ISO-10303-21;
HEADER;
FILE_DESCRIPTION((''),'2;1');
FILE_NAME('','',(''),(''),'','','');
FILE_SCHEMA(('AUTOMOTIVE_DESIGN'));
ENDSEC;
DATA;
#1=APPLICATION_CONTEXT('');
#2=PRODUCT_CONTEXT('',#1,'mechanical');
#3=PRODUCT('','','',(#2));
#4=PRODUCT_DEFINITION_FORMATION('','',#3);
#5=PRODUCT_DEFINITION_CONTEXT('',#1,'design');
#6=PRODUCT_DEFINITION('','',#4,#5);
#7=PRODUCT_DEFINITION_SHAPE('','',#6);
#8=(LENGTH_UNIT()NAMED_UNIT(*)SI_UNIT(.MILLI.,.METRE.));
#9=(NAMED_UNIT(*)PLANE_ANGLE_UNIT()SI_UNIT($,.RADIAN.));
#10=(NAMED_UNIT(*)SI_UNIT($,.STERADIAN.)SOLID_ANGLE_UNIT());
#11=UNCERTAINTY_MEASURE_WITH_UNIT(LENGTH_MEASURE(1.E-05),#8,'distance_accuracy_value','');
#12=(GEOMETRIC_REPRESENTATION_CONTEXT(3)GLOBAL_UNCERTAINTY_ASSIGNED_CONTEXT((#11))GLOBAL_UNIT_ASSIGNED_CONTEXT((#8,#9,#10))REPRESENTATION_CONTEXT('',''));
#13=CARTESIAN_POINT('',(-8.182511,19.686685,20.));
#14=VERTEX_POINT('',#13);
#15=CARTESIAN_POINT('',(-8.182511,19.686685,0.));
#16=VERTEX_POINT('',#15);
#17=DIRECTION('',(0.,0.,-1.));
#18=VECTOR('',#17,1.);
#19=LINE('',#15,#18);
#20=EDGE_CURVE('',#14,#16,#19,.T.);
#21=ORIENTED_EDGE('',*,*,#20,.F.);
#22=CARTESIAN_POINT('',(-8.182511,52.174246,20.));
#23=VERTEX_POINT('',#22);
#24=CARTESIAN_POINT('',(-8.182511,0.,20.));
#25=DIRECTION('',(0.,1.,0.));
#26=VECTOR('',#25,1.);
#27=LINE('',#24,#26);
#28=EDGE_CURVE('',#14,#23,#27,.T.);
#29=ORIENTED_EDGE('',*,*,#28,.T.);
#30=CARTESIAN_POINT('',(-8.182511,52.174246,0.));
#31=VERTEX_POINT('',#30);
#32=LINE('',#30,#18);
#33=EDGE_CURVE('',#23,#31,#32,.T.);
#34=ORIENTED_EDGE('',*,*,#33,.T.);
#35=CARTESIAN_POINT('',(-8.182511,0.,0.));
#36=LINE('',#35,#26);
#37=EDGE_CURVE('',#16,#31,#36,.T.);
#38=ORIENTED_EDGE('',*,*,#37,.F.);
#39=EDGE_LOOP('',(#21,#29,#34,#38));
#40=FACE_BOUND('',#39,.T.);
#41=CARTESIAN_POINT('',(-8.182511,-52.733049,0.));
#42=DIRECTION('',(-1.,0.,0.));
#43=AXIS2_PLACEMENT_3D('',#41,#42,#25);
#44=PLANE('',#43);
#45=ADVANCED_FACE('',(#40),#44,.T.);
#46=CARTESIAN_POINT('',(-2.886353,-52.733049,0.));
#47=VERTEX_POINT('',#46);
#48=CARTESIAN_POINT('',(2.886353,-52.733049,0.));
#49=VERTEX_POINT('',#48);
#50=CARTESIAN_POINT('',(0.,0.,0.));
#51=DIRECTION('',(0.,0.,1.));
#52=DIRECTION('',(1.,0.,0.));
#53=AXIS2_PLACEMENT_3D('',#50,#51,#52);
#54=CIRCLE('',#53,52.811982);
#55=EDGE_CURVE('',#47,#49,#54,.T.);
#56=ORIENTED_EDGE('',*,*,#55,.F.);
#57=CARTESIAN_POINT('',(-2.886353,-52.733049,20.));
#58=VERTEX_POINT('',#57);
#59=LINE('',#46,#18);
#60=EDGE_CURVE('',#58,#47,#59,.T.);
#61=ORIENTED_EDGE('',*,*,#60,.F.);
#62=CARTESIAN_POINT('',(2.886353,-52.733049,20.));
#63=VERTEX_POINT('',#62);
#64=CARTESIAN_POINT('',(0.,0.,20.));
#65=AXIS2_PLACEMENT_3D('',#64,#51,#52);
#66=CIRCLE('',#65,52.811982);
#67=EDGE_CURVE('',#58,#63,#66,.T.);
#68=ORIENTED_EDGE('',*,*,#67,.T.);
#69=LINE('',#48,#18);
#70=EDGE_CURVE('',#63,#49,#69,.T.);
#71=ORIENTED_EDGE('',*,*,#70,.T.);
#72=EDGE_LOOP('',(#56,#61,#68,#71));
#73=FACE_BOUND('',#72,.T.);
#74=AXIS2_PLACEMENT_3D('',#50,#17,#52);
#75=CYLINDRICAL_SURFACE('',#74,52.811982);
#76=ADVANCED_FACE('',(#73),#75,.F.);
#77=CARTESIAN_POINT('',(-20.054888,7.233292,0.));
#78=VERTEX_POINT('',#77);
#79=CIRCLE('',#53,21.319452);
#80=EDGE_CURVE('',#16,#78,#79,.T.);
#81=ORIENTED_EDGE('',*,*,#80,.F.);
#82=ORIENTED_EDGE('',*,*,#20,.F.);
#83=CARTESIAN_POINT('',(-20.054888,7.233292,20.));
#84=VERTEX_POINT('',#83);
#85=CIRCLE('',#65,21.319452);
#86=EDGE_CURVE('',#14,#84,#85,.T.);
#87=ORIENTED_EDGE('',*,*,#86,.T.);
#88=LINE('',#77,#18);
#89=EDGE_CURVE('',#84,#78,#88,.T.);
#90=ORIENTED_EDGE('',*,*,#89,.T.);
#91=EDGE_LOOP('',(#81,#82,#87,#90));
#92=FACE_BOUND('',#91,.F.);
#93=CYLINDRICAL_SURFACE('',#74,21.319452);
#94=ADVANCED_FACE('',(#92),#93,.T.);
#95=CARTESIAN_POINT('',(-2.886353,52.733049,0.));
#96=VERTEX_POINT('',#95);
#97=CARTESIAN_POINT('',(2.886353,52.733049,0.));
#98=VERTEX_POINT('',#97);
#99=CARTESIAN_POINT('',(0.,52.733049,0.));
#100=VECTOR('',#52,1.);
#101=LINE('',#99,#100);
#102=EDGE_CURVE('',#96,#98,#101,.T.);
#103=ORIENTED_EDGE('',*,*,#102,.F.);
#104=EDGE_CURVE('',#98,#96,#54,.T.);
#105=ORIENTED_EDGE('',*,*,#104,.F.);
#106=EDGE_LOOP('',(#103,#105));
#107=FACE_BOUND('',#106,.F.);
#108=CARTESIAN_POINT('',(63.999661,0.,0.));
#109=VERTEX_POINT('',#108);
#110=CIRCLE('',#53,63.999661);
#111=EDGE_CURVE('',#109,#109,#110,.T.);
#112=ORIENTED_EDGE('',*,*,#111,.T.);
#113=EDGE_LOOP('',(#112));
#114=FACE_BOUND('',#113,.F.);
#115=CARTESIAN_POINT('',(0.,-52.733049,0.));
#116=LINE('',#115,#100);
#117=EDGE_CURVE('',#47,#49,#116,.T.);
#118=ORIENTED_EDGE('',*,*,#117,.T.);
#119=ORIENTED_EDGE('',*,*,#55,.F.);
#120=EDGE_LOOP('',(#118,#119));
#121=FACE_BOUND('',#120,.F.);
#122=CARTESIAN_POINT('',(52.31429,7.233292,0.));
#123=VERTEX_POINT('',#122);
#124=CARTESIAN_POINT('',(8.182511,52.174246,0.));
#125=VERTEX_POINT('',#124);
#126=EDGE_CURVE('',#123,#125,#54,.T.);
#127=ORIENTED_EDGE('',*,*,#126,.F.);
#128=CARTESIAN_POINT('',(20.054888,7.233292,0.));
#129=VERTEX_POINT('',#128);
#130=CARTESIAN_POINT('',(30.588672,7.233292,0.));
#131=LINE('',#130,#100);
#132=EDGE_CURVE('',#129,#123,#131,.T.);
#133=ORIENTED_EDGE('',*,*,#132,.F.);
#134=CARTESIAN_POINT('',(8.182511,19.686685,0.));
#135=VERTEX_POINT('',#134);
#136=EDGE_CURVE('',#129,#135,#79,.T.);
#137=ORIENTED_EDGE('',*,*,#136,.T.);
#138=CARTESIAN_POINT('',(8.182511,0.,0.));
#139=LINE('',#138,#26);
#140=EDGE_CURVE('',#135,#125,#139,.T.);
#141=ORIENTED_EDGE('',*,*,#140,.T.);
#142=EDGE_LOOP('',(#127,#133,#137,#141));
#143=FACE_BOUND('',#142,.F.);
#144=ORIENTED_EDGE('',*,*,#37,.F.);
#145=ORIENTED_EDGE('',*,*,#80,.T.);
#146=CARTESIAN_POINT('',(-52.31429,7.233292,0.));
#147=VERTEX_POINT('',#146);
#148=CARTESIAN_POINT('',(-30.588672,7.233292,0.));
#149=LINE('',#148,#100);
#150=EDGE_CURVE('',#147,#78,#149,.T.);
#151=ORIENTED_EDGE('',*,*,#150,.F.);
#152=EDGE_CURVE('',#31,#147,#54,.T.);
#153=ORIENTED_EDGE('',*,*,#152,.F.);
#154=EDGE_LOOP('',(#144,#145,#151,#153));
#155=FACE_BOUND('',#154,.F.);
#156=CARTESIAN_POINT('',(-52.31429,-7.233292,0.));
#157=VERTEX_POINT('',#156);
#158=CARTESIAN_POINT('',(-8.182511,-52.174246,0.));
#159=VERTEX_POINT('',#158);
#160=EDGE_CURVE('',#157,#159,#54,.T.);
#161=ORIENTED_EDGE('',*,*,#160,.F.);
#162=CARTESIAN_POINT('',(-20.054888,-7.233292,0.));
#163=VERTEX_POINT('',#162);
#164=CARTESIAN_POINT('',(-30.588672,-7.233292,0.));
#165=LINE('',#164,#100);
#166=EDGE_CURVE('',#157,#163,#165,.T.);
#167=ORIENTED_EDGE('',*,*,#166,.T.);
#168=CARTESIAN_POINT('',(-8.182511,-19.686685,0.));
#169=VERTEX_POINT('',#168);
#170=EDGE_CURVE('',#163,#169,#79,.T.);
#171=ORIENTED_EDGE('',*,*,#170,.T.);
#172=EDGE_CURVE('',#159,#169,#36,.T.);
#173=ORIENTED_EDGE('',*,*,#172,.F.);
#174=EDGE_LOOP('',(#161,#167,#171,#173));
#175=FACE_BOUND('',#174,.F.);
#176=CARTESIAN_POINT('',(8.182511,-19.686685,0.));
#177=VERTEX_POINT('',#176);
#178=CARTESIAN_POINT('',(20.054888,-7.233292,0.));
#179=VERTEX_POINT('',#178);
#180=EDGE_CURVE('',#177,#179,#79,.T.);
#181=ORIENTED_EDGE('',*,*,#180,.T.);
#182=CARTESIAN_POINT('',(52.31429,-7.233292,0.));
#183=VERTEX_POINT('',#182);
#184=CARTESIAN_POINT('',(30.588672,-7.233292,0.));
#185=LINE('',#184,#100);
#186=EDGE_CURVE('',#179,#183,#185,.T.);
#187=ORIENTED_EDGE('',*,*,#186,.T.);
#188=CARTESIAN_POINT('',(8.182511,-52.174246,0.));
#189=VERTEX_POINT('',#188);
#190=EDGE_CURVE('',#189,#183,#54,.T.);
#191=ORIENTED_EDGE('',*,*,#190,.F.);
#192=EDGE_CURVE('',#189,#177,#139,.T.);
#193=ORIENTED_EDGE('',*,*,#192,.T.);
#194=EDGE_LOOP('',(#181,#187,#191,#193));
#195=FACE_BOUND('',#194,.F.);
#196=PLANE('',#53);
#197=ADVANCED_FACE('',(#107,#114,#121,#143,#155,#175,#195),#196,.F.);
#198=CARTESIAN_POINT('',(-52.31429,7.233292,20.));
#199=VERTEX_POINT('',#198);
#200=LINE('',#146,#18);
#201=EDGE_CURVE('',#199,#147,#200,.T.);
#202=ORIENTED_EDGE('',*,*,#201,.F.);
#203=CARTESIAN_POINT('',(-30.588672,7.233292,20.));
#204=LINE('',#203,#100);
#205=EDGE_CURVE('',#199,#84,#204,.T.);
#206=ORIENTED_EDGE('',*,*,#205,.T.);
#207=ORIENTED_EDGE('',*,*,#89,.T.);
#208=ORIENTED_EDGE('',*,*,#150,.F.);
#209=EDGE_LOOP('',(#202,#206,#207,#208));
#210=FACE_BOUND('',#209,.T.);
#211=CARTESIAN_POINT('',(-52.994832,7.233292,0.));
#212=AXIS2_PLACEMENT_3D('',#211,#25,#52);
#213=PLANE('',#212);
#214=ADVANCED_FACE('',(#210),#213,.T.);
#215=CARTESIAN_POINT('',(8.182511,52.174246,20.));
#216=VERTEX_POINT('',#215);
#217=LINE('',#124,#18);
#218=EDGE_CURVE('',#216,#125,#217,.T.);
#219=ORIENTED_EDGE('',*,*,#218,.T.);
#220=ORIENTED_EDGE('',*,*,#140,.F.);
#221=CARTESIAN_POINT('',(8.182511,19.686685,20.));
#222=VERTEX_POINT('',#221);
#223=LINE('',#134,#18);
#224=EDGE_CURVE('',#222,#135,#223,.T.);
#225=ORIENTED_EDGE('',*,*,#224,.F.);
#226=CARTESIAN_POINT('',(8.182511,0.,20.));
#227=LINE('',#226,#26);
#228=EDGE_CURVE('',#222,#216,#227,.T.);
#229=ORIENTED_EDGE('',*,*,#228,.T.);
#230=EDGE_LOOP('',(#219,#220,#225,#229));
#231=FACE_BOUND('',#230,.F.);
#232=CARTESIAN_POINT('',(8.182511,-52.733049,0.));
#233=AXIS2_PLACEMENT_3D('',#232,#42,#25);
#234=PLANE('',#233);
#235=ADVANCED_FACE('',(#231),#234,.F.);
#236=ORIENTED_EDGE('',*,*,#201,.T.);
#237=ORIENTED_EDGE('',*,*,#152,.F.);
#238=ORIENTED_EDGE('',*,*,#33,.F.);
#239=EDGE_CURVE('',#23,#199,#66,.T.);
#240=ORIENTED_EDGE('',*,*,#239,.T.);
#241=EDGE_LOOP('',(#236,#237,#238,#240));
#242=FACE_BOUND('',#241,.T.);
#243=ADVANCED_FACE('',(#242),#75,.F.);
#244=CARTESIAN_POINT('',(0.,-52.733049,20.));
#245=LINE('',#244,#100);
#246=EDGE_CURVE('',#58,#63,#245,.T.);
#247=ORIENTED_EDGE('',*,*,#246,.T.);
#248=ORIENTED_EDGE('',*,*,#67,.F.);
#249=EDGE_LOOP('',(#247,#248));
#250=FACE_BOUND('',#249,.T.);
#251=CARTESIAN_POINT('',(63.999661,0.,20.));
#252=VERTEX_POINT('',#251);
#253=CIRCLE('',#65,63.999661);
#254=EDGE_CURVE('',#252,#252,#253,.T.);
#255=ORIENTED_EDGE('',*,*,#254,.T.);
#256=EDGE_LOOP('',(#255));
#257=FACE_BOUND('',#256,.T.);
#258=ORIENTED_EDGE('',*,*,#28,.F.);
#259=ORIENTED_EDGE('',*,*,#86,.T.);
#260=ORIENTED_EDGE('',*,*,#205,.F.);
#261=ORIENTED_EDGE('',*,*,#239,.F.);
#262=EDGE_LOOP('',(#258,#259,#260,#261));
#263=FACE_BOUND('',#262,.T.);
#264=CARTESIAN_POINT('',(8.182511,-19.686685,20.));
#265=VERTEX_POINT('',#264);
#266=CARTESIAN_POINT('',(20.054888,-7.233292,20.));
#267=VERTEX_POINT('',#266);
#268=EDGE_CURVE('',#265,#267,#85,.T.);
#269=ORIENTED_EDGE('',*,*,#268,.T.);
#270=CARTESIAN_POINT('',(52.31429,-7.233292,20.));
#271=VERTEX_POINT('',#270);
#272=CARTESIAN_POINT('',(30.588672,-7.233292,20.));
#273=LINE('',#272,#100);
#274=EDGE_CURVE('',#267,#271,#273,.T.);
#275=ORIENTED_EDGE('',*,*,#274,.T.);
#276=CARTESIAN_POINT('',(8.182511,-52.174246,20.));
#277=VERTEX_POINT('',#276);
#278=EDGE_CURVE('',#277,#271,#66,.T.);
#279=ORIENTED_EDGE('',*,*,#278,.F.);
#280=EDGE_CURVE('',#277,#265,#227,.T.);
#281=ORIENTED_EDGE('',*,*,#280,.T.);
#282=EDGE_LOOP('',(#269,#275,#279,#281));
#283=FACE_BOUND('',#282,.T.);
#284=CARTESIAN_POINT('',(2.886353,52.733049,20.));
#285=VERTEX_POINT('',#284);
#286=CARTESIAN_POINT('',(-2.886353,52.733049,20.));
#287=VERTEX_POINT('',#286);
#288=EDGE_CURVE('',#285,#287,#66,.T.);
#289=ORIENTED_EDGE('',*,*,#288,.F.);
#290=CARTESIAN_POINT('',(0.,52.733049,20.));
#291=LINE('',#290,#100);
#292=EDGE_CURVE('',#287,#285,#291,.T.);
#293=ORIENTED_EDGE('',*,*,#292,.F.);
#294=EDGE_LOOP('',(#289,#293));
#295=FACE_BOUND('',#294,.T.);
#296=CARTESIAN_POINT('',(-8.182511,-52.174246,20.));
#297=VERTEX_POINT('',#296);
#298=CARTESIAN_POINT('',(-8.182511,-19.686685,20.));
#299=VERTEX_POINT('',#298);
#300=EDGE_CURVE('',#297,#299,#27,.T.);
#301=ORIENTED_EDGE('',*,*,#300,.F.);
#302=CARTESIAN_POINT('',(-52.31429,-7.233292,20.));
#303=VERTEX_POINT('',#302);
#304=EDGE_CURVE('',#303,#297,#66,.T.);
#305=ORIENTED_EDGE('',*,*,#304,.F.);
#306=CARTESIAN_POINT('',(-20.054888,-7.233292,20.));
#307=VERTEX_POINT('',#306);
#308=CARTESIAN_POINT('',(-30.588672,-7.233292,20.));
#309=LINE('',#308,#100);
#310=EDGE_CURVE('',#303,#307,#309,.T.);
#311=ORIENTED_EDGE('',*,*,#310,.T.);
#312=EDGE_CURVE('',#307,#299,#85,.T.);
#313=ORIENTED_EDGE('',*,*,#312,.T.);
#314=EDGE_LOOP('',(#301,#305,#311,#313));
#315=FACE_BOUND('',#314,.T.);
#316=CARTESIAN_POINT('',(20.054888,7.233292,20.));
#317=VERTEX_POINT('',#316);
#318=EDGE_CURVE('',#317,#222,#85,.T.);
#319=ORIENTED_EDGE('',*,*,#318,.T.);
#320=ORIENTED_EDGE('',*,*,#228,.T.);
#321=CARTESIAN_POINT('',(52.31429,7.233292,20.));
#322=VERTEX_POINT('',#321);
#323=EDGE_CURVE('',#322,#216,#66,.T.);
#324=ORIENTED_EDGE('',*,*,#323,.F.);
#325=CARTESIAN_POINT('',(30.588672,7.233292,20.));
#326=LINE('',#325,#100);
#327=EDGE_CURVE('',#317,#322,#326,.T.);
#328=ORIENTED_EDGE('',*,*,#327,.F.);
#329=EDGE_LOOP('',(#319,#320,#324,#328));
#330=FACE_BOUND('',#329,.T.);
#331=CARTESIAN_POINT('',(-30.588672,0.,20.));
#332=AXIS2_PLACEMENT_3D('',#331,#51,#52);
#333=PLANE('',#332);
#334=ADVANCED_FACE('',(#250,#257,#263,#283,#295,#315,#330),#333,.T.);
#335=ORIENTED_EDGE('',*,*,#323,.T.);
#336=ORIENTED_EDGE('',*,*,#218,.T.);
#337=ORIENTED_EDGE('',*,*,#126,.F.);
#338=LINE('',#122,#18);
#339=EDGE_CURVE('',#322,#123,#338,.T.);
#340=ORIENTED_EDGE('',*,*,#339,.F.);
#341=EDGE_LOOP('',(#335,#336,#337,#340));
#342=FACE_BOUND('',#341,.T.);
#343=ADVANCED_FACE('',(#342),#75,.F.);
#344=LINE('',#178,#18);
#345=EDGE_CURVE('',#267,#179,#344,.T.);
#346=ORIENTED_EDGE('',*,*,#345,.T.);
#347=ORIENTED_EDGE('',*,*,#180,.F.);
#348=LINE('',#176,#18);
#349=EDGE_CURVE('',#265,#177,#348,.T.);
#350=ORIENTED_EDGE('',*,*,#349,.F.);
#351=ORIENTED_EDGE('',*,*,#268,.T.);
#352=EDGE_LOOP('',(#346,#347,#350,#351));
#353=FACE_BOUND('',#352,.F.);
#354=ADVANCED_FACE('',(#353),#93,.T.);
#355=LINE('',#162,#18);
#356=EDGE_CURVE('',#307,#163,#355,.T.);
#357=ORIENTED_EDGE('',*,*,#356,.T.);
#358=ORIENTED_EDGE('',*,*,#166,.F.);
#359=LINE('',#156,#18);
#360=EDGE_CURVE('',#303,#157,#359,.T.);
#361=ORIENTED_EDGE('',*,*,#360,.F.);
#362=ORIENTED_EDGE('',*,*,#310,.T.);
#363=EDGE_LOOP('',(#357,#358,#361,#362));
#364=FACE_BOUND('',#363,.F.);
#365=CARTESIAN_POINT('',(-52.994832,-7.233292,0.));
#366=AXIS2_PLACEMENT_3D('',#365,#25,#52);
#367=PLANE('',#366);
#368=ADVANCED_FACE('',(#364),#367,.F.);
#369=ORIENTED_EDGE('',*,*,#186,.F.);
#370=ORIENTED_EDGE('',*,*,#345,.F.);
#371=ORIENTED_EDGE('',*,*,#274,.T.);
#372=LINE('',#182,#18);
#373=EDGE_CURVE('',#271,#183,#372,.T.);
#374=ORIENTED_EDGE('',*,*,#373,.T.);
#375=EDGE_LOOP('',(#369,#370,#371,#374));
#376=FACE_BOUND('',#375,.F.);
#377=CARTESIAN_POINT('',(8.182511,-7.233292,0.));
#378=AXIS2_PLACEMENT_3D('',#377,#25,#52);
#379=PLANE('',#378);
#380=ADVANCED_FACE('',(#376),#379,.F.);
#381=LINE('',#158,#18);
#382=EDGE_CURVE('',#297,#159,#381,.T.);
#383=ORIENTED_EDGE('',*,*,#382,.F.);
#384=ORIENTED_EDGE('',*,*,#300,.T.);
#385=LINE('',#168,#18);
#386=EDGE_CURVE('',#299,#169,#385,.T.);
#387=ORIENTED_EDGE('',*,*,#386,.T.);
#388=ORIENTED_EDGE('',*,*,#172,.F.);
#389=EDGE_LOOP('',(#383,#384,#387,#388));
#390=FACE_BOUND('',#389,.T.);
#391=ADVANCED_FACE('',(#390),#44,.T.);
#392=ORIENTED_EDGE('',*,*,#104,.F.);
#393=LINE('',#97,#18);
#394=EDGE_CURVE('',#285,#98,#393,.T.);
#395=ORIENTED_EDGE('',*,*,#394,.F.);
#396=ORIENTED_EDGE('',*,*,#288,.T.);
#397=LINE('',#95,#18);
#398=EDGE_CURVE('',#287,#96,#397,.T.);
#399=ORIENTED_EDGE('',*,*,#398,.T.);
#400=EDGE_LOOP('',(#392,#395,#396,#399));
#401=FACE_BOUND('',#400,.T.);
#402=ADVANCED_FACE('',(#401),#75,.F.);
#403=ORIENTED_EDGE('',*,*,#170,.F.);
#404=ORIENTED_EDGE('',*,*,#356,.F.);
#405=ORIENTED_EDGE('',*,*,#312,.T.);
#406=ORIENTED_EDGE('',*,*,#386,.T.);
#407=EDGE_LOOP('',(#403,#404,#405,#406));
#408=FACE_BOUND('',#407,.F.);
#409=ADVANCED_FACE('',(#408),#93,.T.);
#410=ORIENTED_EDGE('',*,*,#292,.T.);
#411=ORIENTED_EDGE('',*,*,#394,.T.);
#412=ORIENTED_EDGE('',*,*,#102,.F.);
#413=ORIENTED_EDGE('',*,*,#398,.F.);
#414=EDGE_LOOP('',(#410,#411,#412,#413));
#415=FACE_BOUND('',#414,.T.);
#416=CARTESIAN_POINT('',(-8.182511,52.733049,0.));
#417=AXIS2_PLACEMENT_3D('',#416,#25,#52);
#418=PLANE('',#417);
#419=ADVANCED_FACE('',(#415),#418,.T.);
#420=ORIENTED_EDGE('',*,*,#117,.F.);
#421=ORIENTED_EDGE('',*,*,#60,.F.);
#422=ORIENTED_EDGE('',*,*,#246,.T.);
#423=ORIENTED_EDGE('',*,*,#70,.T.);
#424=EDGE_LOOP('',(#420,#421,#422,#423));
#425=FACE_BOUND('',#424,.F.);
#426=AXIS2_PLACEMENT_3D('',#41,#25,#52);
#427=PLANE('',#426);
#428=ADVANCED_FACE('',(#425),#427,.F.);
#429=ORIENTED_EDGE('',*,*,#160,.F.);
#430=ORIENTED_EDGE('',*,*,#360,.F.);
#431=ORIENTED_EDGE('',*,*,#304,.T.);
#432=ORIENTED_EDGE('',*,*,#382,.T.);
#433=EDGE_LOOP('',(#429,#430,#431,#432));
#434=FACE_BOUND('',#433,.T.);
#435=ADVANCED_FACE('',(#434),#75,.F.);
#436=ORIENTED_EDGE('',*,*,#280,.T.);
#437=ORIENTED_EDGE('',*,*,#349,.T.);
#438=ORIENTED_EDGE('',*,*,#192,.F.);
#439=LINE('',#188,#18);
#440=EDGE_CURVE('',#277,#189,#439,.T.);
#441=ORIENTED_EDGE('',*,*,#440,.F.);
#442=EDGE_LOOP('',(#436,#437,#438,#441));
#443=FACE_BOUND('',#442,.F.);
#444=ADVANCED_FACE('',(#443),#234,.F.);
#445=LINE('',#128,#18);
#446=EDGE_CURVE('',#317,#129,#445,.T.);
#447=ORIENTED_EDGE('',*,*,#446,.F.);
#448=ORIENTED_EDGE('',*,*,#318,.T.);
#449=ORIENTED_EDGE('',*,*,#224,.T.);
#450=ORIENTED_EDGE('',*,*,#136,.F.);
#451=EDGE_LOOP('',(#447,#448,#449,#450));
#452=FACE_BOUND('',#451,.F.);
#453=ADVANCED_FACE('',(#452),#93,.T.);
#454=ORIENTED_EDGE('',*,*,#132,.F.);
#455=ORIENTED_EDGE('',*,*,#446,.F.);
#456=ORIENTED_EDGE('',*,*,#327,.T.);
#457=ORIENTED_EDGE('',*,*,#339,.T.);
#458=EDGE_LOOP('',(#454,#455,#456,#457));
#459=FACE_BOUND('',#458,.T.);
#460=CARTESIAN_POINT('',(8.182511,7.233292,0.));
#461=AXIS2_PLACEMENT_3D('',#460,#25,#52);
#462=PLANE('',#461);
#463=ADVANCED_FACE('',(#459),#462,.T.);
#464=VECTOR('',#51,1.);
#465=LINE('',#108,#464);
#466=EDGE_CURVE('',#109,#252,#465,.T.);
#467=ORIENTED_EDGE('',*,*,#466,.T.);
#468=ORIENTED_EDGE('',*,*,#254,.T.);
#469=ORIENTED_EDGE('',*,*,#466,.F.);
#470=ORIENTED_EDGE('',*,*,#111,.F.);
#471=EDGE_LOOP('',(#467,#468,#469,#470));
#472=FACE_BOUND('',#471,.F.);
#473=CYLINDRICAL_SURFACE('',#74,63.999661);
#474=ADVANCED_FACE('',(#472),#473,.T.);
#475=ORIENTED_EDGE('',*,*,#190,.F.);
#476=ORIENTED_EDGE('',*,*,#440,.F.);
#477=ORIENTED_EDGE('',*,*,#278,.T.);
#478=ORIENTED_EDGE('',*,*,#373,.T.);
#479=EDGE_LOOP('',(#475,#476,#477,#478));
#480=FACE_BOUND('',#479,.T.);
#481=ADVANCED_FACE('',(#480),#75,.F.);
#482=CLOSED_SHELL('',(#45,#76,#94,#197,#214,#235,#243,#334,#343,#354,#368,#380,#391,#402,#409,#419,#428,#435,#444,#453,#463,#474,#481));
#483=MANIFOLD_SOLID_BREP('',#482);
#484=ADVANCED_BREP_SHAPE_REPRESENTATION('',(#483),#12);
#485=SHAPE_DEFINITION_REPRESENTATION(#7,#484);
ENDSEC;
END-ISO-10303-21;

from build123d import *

# Parameters (mm, degrees)
F0_R     = 63.9996610984
F0_R_2   = 52.8119822493
F1_DEPTH = 20
F2_R     = 21.3194523792
F3_DEPTH = 20
F5_W     = 44.8123216629
F5_H     = 14.4665837288
F4_W     = 16.3650214672
F4_H     = 105.4660975933
F6_DEPTH = 20


with BuildPart() as f1:
    # F0 (on Top) → F1 (new body)
    with BuildSketch(Plane.XY):
        Circle(F0_R)
        Circle(F0_R_2, mode=Mode.SUBTRACT)
    extrude(amount=F1_DEPTH)



with BuildPart() as f3:
    # F2 (on Top) → F3 (new body)
    with BuildSketch(Plane.XY):
        Circle(F2_R)
    extrude(amount=F3_DEPTH)


with BuildPart() as f1_1:
    add(f1.part)

    add(f3.part)  # F6 merges F3
    # F5 (on face) + F4 (on Top) → F6 (join)
    with BuildSketch(Plane.XY):
        with Locations((-30.5886715651, 0)):
            Rectangle(F5_W, F5_H)
        with Locations((30.5886715651, 0)):
            Rectangle(F5_W, F5_H)
    with BuildSketch(Plane.XY):
        Rectangle(F4_W, F4_H)
    extrude(amount=F6_DEPTH)


solid = f1_1.part
